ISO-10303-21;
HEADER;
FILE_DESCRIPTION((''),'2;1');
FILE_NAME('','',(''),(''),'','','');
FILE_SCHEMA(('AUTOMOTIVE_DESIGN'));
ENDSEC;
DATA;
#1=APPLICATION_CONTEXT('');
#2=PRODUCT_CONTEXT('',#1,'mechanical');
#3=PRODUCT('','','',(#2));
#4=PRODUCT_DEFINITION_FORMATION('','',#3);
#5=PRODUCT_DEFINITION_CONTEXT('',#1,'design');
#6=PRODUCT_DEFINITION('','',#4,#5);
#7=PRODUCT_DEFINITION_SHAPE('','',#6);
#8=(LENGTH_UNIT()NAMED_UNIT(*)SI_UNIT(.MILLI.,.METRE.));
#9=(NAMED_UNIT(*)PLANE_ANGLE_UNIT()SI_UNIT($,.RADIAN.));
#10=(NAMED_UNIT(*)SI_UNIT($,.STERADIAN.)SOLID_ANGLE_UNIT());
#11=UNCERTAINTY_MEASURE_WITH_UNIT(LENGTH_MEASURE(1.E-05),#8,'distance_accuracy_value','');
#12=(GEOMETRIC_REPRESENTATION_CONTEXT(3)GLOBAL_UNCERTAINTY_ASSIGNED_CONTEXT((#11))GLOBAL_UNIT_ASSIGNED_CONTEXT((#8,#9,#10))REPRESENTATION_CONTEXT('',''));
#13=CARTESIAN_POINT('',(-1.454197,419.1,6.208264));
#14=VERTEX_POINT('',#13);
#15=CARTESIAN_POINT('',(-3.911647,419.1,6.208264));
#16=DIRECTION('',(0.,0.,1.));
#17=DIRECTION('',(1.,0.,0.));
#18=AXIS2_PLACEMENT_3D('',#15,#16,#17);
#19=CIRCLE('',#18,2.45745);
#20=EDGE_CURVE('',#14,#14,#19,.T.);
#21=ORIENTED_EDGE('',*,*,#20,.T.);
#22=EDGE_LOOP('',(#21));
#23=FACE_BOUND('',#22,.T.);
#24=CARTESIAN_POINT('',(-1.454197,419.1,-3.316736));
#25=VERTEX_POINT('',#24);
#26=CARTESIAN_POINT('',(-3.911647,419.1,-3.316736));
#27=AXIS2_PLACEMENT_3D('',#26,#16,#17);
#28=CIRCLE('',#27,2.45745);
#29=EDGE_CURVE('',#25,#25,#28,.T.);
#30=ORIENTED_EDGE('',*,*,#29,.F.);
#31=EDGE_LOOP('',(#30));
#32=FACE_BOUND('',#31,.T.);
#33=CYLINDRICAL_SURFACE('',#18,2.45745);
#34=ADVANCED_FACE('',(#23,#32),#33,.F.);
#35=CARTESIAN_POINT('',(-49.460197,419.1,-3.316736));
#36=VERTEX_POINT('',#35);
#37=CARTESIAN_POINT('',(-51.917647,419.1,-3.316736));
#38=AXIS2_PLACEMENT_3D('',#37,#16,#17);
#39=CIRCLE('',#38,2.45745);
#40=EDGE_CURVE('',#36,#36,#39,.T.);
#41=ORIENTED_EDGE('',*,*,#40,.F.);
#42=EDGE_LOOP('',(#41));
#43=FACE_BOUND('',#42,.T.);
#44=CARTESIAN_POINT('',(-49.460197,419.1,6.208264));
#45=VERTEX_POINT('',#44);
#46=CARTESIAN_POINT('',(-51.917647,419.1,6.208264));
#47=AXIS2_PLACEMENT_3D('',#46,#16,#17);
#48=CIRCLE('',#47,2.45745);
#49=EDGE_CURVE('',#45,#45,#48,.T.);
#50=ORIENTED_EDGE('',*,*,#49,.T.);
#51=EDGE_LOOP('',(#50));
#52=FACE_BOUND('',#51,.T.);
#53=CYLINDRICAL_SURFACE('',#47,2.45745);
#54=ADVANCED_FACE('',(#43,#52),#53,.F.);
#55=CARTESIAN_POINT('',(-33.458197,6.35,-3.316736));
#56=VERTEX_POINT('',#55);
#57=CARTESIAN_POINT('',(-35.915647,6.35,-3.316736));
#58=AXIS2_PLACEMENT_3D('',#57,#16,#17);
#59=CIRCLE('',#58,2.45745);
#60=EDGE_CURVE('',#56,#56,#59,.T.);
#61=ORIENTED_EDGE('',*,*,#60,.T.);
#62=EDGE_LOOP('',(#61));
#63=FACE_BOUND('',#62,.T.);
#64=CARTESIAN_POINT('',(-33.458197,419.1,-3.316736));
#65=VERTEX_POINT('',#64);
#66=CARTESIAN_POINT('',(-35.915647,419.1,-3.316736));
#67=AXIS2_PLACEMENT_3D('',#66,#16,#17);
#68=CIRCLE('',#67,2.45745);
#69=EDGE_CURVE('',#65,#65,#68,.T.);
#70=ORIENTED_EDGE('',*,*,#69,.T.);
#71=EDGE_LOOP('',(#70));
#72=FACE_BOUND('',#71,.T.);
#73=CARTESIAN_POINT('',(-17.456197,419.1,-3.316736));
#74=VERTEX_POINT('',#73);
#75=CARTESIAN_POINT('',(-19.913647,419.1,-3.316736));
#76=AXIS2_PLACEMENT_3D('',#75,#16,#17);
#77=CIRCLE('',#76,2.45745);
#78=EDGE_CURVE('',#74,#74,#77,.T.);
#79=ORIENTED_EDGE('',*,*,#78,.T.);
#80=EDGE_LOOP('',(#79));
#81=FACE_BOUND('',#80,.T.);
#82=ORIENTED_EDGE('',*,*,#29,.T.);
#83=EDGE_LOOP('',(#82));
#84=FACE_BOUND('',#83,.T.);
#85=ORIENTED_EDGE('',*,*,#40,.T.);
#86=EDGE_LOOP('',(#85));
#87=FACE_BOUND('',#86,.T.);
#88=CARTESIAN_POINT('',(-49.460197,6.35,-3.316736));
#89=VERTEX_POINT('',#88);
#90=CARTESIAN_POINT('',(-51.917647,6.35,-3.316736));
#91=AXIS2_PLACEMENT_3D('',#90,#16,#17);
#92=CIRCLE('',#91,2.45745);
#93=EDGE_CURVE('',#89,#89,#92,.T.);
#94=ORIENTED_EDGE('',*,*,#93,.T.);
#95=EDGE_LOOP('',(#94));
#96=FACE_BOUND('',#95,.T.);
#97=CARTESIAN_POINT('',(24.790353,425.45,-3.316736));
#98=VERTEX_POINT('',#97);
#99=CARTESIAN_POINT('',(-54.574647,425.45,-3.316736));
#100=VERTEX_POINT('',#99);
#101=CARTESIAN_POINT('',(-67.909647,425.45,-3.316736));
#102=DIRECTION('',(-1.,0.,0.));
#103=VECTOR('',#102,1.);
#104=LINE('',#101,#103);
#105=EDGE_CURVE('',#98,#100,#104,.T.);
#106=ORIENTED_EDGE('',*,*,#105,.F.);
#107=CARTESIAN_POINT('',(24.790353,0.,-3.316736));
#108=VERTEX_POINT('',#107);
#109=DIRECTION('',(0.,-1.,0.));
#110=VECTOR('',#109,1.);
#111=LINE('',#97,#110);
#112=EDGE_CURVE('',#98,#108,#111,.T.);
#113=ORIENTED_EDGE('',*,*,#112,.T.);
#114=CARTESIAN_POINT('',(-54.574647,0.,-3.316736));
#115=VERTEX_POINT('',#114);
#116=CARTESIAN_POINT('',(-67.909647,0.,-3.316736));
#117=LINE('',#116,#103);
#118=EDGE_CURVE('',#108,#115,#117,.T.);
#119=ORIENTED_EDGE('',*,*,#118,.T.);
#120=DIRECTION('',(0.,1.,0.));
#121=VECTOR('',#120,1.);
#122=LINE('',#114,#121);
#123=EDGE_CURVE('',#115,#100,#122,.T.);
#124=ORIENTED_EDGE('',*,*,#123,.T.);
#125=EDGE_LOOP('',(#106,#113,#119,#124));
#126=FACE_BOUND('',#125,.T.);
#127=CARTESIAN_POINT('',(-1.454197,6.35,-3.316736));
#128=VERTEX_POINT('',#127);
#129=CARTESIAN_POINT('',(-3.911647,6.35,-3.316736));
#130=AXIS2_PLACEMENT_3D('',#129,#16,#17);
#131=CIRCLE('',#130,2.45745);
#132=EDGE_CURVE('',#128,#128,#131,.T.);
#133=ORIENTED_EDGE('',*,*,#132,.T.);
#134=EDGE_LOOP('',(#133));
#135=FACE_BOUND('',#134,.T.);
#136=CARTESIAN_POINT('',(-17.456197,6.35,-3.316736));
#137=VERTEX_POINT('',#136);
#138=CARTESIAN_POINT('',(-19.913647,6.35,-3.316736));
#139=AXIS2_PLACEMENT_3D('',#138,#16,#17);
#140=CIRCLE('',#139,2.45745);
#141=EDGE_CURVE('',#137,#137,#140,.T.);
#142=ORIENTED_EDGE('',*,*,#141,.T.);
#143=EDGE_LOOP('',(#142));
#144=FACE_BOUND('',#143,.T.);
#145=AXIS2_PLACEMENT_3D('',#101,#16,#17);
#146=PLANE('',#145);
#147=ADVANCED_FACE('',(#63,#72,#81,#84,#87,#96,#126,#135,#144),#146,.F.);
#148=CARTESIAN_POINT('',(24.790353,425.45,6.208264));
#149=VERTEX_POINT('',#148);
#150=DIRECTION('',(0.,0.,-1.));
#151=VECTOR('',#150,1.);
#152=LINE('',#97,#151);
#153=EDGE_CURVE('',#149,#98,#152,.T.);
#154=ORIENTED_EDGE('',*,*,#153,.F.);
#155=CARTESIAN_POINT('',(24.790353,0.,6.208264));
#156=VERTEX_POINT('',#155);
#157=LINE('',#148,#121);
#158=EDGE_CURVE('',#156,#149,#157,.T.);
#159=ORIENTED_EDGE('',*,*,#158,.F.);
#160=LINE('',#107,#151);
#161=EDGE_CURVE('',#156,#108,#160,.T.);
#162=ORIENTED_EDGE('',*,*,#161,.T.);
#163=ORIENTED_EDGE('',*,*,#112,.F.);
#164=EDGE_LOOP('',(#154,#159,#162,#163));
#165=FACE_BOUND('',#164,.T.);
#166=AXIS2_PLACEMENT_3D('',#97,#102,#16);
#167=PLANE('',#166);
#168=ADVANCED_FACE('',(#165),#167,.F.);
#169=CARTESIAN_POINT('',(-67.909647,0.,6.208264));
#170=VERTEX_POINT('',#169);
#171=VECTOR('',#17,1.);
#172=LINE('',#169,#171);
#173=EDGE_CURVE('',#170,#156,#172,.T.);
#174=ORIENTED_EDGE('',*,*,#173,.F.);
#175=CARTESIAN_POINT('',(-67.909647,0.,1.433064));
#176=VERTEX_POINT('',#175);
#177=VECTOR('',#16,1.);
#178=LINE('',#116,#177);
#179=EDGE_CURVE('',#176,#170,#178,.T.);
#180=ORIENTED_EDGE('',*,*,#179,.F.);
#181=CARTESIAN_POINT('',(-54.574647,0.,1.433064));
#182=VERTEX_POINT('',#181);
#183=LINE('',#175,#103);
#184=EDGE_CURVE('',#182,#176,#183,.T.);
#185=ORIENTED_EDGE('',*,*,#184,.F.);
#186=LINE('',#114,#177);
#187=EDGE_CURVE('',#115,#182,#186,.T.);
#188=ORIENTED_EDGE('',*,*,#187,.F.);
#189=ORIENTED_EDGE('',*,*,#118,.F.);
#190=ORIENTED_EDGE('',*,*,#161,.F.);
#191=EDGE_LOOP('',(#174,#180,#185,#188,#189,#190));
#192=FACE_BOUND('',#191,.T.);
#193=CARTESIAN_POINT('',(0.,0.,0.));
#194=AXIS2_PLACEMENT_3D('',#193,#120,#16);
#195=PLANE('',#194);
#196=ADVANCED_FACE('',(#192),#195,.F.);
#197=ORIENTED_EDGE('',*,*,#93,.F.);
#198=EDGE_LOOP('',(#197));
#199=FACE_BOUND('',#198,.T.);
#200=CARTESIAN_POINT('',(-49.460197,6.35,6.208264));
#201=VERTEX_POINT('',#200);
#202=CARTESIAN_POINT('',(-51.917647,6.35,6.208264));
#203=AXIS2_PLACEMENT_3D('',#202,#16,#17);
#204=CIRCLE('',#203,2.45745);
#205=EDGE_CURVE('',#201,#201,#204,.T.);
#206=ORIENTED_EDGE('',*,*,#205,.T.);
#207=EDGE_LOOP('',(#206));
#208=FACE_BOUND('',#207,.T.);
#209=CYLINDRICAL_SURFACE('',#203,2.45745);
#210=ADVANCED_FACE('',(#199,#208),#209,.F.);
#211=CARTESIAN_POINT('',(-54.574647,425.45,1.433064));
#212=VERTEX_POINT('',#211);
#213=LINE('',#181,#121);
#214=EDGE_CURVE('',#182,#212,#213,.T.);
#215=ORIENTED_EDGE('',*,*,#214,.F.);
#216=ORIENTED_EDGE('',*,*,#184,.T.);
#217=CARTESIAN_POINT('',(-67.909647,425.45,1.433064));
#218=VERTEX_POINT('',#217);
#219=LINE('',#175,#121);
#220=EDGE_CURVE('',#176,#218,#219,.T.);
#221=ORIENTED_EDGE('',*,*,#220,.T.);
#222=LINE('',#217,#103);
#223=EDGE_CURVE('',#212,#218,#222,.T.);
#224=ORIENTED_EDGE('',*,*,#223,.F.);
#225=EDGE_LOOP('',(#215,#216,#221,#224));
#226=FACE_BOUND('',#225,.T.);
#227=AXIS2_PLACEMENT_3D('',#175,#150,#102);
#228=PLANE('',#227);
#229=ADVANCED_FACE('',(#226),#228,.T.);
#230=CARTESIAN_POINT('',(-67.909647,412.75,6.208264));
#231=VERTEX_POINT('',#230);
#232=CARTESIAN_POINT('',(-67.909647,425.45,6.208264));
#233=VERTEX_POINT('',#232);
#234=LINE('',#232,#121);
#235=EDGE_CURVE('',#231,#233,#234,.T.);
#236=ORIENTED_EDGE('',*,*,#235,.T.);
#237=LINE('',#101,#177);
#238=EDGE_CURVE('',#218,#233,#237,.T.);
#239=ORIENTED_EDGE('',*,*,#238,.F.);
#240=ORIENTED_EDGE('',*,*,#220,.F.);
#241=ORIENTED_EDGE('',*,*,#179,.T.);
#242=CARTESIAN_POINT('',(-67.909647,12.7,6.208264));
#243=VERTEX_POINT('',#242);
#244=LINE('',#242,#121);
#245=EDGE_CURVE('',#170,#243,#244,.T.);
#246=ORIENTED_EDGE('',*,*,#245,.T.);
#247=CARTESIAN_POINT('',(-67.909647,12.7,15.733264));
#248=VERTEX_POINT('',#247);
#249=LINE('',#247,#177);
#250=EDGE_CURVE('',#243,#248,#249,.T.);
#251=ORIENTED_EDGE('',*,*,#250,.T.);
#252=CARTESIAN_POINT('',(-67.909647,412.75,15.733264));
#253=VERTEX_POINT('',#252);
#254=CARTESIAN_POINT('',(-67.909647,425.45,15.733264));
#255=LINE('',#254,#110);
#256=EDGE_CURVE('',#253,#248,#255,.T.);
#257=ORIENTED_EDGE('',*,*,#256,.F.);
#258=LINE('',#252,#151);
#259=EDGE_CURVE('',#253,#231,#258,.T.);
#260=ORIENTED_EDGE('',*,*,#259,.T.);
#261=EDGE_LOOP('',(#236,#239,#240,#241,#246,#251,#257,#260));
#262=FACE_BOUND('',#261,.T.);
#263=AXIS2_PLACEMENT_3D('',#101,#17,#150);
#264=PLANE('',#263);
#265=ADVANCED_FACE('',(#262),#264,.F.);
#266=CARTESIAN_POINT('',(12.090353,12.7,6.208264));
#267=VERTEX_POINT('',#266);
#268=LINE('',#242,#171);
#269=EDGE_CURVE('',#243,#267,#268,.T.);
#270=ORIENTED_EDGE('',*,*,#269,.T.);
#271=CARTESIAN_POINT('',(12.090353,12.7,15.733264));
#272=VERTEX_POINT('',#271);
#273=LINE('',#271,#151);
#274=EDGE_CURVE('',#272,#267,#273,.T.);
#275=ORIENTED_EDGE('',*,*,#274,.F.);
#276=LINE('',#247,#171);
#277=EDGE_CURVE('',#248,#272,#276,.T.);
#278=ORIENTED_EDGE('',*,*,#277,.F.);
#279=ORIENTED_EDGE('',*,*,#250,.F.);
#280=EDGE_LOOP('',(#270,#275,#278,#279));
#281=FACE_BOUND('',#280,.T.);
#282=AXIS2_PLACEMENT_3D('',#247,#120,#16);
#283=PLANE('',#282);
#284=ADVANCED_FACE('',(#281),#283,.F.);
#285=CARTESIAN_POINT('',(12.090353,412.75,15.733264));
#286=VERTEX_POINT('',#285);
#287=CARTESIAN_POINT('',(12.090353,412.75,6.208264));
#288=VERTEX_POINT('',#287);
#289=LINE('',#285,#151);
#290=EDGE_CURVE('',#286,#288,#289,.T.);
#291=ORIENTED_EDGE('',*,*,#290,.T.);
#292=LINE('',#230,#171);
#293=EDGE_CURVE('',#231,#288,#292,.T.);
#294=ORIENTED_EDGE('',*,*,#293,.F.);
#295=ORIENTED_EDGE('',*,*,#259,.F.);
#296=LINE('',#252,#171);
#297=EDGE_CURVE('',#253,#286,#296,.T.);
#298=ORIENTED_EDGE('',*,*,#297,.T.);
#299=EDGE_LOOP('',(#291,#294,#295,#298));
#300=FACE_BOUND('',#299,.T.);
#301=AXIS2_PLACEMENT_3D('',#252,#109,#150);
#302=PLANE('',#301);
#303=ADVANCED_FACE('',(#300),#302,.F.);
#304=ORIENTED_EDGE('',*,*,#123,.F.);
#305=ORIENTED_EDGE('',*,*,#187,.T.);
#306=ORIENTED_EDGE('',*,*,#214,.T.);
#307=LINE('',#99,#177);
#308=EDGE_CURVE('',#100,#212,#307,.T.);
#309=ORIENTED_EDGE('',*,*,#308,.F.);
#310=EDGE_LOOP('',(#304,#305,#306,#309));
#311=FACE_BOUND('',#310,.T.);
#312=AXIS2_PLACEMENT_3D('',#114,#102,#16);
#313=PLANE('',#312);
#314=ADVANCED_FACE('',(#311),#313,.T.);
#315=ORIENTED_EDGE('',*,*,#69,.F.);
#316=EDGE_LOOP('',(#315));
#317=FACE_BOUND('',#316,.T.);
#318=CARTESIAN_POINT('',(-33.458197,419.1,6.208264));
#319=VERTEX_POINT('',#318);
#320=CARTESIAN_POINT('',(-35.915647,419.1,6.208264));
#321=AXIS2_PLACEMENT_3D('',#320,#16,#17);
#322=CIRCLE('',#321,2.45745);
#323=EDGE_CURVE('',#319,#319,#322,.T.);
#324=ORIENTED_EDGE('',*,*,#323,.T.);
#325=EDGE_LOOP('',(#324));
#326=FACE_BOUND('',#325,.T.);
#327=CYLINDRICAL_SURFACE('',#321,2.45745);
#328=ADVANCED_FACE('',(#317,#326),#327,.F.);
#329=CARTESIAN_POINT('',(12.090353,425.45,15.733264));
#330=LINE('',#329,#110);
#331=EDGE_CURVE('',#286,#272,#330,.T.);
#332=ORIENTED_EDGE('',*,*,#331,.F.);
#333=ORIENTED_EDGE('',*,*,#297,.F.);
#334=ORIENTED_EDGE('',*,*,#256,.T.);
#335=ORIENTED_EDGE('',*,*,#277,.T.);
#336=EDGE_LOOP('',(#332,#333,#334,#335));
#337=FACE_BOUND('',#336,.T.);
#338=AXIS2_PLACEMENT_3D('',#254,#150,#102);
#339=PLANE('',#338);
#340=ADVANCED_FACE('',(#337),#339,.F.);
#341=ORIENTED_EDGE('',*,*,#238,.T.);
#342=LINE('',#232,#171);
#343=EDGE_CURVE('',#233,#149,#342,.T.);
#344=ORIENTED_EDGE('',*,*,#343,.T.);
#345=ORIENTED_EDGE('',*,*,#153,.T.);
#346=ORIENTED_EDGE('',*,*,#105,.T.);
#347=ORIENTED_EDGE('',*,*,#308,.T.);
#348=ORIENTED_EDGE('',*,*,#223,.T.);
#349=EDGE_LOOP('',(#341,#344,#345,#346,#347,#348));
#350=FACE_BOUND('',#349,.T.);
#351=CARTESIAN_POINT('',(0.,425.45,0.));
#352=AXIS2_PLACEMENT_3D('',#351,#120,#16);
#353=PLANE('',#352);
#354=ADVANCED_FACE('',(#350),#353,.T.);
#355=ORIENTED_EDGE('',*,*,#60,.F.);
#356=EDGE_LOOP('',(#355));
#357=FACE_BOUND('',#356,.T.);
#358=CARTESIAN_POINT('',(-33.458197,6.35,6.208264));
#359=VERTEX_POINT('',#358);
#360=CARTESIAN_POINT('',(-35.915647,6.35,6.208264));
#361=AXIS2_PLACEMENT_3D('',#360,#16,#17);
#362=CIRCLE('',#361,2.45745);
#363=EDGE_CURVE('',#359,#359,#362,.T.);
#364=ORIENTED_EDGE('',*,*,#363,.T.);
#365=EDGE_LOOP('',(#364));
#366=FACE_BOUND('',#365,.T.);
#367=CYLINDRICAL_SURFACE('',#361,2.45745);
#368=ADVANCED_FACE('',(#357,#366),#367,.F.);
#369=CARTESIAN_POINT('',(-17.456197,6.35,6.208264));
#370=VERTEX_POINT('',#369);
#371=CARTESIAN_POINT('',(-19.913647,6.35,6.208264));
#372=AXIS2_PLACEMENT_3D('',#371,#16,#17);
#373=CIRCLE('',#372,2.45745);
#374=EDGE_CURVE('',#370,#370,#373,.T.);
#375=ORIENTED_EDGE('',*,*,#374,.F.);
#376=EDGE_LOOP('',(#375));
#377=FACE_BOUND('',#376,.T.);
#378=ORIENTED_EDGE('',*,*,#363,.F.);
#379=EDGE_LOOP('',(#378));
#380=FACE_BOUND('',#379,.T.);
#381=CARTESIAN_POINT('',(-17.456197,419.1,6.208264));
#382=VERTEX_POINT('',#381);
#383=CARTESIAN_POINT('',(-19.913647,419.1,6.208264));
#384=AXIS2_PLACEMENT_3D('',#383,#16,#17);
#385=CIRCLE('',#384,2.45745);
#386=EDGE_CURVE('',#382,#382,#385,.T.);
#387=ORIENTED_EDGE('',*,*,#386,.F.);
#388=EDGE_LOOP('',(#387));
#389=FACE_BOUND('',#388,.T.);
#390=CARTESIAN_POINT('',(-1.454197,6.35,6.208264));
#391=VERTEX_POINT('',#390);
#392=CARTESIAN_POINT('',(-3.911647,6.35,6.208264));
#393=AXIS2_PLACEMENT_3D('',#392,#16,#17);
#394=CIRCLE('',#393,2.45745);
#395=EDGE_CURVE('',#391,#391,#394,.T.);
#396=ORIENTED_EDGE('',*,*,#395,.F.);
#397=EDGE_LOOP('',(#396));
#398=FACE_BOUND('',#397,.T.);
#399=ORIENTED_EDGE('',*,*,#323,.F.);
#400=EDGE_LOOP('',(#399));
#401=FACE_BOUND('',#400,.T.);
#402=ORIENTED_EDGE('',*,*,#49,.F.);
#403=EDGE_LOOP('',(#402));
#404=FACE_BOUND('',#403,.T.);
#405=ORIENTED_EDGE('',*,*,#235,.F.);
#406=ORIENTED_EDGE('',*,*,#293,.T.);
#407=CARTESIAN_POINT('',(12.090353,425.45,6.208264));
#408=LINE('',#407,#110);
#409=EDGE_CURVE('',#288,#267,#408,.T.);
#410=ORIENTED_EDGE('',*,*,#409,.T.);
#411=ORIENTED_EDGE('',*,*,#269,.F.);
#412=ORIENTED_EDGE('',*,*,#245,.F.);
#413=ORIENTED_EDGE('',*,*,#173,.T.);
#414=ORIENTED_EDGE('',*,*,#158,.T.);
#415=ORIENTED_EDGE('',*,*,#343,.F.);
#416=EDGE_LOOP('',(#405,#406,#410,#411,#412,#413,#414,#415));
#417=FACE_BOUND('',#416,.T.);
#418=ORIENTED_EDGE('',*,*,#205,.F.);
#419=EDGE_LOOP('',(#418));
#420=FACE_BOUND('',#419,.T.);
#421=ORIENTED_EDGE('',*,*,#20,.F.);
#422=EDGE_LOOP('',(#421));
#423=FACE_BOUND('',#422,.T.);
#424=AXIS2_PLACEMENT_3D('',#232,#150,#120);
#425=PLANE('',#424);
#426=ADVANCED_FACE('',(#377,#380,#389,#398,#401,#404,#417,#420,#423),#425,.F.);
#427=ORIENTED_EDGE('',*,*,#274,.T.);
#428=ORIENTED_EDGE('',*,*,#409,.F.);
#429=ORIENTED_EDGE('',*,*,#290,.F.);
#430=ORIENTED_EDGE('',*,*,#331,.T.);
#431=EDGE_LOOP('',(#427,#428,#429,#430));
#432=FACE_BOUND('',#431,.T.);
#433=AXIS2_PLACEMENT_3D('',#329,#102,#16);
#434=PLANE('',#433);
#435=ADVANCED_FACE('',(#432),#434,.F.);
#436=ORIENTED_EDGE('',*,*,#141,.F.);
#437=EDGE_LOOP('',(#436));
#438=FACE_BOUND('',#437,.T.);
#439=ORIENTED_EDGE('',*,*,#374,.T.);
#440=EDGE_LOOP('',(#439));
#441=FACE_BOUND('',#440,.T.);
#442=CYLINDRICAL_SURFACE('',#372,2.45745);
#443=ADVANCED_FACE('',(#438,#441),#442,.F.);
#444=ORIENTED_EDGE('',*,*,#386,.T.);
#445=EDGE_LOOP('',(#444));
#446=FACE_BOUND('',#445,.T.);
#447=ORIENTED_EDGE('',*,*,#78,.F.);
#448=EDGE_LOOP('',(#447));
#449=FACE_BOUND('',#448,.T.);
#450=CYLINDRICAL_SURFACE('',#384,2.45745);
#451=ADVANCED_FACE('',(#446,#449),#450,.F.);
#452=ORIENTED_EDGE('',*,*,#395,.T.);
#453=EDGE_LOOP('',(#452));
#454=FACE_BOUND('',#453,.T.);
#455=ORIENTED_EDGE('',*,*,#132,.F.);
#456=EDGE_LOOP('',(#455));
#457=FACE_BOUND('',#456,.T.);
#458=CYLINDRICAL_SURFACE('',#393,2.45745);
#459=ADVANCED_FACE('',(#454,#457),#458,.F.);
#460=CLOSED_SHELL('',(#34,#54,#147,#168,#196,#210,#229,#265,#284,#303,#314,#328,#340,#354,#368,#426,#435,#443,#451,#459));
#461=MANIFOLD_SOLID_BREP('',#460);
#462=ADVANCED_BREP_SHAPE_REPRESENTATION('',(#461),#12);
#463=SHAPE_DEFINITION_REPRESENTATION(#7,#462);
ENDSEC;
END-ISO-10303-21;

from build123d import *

# Parameters (mm, degrees)
SKETCH1_W             = 92.7
SKETCH1_H             = 19.05
BOSS_EXTRUDE1_DEPTH   = 425.45
SKETCH2_W             = 9.525
SKETCH2_H             = 12.7
CUT_EXTRUDE1_DEPTH    = 436.716109536
SKETCH3_W             = 12.7
SKETCH3_H             = 9.525
CUT_EXTRUDE2_DEPTH    = 419.595052861
F_8_CLEARANCE_HOLE1_D = 4.9149
SKETCH6_W             = 13.335
SKETCH6_H             = 4.7498
CUT_EXTRUDE5_DEPTH    = 436.848477111


with BuildPart() as part:
    # Sketch1 → Boss-Extrude1 (new body)
    with BuildSketch(Plane(origin=(0, 0, 0), x_dir=(1, 0, 0), z_dir=(0, 1, 0))):
        with Locations((-21.55964711, -6.208264412)):
            Rectangle(SKETCH1_W, SKETCH1_H)
    extrude(amount=BOSS_EXTRUDE1_DEPTH)

    # Sketch2 → Cut-Extrude1 (cut, through all)
    with BuildSketch(Plane(origin=(24.79035289, 0, 0), x_dir=(0, 0, -1), z_dir=(1, 0, 0))):
        with Locations((-10.970764412, 419.1)):
            Rectangle(SKETCH2_W, SKETCH2_H)
        with Locations((-10.970764412, 6.35)):
            Rectangle(SKETCH2_W, SKETCH2_H)
    extrude(amount=-CUT_EXTRUDE1_DEPTH, mode=Mode.SUBTRACT)

    # Sketch3 → Cut-Extrude2 (cut, through all)
    with BuildSketch(Plane.XZ.offset(-12.7)):
        with Locations((18.44035289, 10.970764412)):
            Rectangle(SKETCH3_W, SKETCH3_H)
    extrude(amount=-CUT_EXTRUDE2_DEPTH, mode=Mode.SUBTRACT)

    # #8 Clearance Hole1 (through all)
    with Locations(Plane.XY.offset(6.208264412)):
        with Locations((-51.91764711, 6.35), (-35.91564711, 6.35), (-19.91364711, 6.35), (-3.91164711, 6.35), (-51.91764711, 419.1), (-35.91564711, 419.1), (-19.91364711, 419.1), (-3.91164711, 419.1)):
            Hole(F_8_CLEARANCE_HOLE1_D / 2)

    # Sketch6 → Cut-Extrude5 (cut, through all)
    with BuildSketch(Plane(origin=(-67.90964711, 425.45, -3.316735588), x_dir=(1, 0, 0), z_dir=(0, -1, 0))):
        with Locations((6.6675, 2.3749)):
            Rectangle(SKETCH6_W, SKETCH6_H)
    extrude(amount=CUT_EXTRUDE5_DEPTH, mode=Mode.SUBTRACT)


solid = part.part
